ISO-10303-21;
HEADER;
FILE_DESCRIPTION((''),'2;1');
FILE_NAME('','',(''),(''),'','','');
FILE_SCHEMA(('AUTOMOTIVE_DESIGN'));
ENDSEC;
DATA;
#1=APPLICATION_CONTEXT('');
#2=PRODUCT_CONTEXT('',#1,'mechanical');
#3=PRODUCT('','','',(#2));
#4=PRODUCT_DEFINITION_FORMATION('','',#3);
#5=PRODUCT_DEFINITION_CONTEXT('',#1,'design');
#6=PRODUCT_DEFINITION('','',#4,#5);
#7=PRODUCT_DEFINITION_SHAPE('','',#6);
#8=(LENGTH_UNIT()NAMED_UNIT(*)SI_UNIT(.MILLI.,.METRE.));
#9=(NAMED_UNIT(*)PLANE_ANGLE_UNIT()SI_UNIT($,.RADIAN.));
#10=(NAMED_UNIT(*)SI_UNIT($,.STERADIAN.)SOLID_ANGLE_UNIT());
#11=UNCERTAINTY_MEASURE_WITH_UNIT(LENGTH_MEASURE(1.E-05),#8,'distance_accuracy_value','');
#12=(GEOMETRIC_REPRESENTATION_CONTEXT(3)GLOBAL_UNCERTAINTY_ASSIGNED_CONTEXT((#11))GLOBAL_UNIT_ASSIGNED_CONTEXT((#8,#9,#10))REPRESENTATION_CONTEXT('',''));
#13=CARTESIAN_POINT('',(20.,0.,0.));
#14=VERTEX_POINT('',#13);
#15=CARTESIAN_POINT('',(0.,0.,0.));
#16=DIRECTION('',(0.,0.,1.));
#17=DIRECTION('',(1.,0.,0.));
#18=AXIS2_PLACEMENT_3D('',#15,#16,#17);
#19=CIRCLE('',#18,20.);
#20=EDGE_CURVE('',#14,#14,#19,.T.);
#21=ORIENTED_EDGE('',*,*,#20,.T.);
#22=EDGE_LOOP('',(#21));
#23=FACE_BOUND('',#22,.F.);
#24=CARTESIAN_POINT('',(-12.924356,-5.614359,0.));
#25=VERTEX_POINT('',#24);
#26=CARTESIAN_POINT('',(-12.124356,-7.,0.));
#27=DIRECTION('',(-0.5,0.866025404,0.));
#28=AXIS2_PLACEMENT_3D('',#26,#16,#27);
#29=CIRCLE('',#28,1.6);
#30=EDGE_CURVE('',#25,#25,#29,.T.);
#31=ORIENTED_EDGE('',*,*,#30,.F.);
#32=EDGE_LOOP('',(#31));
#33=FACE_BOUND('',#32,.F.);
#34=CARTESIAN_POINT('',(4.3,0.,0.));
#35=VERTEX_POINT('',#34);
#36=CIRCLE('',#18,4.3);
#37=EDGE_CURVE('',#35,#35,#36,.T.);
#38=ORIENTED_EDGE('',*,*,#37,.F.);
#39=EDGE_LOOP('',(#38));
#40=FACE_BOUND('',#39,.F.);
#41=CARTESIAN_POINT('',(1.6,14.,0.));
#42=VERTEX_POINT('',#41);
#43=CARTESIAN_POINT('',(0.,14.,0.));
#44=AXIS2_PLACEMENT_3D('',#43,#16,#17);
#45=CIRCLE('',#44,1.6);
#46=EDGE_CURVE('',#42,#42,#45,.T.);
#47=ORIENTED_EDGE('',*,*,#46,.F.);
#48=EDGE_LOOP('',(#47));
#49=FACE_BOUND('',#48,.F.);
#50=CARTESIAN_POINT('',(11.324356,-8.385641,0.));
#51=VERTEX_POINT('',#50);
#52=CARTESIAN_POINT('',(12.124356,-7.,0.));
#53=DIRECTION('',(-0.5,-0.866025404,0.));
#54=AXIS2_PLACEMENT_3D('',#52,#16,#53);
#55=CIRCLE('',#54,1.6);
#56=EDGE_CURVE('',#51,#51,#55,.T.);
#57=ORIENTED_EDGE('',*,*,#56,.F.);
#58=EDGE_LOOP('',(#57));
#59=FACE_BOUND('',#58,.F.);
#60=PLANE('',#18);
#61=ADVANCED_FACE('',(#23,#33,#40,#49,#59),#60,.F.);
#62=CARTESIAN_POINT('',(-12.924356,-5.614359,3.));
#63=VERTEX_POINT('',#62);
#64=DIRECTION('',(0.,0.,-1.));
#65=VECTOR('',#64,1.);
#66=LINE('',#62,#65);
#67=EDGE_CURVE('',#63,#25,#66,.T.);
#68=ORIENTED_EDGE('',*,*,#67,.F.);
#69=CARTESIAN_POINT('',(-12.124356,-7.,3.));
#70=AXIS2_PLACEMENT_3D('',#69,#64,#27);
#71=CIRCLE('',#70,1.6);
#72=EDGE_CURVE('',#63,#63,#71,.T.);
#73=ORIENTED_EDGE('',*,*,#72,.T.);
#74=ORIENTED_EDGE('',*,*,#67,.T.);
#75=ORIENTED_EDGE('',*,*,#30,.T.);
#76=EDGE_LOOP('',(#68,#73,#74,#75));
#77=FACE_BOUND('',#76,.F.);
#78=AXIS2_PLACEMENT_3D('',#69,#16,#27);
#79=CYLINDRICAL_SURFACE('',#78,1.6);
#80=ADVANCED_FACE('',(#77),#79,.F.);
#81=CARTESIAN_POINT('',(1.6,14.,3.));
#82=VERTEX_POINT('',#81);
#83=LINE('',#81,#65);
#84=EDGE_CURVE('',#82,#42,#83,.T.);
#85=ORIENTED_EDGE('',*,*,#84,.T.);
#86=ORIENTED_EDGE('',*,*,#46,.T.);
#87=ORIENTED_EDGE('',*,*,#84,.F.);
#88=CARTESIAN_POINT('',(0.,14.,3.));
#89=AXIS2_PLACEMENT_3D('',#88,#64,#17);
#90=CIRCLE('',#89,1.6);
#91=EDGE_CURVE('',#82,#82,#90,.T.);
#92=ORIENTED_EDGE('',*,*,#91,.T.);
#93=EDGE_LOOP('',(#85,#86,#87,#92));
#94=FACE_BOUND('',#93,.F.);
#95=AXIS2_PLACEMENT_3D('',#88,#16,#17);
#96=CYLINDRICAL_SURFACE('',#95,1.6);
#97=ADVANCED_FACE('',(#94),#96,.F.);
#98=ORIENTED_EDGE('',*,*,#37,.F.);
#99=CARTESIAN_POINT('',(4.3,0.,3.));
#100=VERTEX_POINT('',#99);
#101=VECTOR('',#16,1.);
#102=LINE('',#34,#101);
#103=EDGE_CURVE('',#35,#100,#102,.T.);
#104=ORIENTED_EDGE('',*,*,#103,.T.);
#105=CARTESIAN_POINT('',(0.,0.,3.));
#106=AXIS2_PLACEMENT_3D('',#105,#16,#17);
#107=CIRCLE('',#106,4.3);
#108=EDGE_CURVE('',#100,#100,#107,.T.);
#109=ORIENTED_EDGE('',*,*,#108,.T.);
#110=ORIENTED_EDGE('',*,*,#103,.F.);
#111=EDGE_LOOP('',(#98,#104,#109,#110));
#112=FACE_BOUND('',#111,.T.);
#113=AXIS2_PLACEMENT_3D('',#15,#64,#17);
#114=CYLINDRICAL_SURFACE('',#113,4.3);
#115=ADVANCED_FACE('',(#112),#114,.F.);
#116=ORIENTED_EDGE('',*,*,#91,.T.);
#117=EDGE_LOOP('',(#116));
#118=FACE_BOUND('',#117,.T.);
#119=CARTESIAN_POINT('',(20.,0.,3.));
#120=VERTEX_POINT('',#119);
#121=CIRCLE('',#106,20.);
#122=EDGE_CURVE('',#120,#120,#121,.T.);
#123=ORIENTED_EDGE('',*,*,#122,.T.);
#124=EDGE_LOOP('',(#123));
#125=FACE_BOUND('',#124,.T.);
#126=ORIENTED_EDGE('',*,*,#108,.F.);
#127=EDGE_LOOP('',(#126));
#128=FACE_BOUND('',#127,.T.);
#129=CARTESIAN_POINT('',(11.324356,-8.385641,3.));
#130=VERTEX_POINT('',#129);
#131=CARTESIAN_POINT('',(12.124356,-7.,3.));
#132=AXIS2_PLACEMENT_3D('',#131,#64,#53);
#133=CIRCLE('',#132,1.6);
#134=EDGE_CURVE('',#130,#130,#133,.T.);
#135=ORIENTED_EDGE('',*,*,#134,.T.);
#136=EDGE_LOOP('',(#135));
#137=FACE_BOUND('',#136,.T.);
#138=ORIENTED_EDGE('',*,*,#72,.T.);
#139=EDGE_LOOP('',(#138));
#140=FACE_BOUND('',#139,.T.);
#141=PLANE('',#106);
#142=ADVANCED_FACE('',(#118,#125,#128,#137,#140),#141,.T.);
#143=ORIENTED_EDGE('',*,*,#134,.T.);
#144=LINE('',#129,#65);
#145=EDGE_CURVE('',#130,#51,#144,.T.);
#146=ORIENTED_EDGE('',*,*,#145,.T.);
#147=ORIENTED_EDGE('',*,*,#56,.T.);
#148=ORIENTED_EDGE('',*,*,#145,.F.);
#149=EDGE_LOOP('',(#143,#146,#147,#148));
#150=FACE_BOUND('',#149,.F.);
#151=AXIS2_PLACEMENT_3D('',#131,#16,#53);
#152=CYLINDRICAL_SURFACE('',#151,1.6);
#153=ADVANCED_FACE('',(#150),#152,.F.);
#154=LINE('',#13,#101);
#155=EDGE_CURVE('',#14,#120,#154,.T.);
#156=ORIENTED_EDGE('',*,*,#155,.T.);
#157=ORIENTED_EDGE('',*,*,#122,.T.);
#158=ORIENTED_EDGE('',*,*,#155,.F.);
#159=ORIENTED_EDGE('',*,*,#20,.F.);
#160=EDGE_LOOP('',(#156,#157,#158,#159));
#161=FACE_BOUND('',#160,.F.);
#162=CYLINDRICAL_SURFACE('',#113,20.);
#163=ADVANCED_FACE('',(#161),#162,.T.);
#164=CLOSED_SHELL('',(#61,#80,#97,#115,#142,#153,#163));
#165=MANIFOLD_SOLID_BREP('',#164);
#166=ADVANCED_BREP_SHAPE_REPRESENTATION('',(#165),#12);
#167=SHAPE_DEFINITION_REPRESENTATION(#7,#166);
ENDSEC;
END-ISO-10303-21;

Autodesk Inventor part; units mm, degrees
ref_plane "YZ Plane" through (0, 0, 0) normal (1, 0, 0) x (0, 1, 0)
ref_plane "XZ Plane" through (0, 0, 0) normal (0, 1, 0) x (-1, 0, 0)
ref_plane "XY Plane" through (0, 0, 0) normal (0, 0, 1) x (1, 0, 0)
sketch "Sketch1" plane through (0, 0, 0) normal (0, 0, 1) x (1, 0, 0)
  circle A0 centre (0, 0) radius 20
  circle A1 centre (0, 0) radius 4.3
  dimension "d0" = 40
  dimension "d2" = 8.6
extrude "Extrusion1" add sketch "Sketch1" along normal blind 3
sketch "Sketch2" plane through (0, 0, 3) normal (0, 0, 1) x (1, 0, 0)
  circle A0 centre (0, 14) radius 1.6
  line L0 (0, -28) -> (0, 28) projected
  point P0 (0, 0)
  dimension "d5" = 14
  dimension "d6" = 3.2
extrude "Extrusion2" cut sketch "Sketch2" against normal blind 10
pattern_circular "Circular Pattern1" count 3 over 360 about axis through (0, 0, 0) along (0, 0, 1) of "Extrusion2"
properties part number "bearing_holder"
